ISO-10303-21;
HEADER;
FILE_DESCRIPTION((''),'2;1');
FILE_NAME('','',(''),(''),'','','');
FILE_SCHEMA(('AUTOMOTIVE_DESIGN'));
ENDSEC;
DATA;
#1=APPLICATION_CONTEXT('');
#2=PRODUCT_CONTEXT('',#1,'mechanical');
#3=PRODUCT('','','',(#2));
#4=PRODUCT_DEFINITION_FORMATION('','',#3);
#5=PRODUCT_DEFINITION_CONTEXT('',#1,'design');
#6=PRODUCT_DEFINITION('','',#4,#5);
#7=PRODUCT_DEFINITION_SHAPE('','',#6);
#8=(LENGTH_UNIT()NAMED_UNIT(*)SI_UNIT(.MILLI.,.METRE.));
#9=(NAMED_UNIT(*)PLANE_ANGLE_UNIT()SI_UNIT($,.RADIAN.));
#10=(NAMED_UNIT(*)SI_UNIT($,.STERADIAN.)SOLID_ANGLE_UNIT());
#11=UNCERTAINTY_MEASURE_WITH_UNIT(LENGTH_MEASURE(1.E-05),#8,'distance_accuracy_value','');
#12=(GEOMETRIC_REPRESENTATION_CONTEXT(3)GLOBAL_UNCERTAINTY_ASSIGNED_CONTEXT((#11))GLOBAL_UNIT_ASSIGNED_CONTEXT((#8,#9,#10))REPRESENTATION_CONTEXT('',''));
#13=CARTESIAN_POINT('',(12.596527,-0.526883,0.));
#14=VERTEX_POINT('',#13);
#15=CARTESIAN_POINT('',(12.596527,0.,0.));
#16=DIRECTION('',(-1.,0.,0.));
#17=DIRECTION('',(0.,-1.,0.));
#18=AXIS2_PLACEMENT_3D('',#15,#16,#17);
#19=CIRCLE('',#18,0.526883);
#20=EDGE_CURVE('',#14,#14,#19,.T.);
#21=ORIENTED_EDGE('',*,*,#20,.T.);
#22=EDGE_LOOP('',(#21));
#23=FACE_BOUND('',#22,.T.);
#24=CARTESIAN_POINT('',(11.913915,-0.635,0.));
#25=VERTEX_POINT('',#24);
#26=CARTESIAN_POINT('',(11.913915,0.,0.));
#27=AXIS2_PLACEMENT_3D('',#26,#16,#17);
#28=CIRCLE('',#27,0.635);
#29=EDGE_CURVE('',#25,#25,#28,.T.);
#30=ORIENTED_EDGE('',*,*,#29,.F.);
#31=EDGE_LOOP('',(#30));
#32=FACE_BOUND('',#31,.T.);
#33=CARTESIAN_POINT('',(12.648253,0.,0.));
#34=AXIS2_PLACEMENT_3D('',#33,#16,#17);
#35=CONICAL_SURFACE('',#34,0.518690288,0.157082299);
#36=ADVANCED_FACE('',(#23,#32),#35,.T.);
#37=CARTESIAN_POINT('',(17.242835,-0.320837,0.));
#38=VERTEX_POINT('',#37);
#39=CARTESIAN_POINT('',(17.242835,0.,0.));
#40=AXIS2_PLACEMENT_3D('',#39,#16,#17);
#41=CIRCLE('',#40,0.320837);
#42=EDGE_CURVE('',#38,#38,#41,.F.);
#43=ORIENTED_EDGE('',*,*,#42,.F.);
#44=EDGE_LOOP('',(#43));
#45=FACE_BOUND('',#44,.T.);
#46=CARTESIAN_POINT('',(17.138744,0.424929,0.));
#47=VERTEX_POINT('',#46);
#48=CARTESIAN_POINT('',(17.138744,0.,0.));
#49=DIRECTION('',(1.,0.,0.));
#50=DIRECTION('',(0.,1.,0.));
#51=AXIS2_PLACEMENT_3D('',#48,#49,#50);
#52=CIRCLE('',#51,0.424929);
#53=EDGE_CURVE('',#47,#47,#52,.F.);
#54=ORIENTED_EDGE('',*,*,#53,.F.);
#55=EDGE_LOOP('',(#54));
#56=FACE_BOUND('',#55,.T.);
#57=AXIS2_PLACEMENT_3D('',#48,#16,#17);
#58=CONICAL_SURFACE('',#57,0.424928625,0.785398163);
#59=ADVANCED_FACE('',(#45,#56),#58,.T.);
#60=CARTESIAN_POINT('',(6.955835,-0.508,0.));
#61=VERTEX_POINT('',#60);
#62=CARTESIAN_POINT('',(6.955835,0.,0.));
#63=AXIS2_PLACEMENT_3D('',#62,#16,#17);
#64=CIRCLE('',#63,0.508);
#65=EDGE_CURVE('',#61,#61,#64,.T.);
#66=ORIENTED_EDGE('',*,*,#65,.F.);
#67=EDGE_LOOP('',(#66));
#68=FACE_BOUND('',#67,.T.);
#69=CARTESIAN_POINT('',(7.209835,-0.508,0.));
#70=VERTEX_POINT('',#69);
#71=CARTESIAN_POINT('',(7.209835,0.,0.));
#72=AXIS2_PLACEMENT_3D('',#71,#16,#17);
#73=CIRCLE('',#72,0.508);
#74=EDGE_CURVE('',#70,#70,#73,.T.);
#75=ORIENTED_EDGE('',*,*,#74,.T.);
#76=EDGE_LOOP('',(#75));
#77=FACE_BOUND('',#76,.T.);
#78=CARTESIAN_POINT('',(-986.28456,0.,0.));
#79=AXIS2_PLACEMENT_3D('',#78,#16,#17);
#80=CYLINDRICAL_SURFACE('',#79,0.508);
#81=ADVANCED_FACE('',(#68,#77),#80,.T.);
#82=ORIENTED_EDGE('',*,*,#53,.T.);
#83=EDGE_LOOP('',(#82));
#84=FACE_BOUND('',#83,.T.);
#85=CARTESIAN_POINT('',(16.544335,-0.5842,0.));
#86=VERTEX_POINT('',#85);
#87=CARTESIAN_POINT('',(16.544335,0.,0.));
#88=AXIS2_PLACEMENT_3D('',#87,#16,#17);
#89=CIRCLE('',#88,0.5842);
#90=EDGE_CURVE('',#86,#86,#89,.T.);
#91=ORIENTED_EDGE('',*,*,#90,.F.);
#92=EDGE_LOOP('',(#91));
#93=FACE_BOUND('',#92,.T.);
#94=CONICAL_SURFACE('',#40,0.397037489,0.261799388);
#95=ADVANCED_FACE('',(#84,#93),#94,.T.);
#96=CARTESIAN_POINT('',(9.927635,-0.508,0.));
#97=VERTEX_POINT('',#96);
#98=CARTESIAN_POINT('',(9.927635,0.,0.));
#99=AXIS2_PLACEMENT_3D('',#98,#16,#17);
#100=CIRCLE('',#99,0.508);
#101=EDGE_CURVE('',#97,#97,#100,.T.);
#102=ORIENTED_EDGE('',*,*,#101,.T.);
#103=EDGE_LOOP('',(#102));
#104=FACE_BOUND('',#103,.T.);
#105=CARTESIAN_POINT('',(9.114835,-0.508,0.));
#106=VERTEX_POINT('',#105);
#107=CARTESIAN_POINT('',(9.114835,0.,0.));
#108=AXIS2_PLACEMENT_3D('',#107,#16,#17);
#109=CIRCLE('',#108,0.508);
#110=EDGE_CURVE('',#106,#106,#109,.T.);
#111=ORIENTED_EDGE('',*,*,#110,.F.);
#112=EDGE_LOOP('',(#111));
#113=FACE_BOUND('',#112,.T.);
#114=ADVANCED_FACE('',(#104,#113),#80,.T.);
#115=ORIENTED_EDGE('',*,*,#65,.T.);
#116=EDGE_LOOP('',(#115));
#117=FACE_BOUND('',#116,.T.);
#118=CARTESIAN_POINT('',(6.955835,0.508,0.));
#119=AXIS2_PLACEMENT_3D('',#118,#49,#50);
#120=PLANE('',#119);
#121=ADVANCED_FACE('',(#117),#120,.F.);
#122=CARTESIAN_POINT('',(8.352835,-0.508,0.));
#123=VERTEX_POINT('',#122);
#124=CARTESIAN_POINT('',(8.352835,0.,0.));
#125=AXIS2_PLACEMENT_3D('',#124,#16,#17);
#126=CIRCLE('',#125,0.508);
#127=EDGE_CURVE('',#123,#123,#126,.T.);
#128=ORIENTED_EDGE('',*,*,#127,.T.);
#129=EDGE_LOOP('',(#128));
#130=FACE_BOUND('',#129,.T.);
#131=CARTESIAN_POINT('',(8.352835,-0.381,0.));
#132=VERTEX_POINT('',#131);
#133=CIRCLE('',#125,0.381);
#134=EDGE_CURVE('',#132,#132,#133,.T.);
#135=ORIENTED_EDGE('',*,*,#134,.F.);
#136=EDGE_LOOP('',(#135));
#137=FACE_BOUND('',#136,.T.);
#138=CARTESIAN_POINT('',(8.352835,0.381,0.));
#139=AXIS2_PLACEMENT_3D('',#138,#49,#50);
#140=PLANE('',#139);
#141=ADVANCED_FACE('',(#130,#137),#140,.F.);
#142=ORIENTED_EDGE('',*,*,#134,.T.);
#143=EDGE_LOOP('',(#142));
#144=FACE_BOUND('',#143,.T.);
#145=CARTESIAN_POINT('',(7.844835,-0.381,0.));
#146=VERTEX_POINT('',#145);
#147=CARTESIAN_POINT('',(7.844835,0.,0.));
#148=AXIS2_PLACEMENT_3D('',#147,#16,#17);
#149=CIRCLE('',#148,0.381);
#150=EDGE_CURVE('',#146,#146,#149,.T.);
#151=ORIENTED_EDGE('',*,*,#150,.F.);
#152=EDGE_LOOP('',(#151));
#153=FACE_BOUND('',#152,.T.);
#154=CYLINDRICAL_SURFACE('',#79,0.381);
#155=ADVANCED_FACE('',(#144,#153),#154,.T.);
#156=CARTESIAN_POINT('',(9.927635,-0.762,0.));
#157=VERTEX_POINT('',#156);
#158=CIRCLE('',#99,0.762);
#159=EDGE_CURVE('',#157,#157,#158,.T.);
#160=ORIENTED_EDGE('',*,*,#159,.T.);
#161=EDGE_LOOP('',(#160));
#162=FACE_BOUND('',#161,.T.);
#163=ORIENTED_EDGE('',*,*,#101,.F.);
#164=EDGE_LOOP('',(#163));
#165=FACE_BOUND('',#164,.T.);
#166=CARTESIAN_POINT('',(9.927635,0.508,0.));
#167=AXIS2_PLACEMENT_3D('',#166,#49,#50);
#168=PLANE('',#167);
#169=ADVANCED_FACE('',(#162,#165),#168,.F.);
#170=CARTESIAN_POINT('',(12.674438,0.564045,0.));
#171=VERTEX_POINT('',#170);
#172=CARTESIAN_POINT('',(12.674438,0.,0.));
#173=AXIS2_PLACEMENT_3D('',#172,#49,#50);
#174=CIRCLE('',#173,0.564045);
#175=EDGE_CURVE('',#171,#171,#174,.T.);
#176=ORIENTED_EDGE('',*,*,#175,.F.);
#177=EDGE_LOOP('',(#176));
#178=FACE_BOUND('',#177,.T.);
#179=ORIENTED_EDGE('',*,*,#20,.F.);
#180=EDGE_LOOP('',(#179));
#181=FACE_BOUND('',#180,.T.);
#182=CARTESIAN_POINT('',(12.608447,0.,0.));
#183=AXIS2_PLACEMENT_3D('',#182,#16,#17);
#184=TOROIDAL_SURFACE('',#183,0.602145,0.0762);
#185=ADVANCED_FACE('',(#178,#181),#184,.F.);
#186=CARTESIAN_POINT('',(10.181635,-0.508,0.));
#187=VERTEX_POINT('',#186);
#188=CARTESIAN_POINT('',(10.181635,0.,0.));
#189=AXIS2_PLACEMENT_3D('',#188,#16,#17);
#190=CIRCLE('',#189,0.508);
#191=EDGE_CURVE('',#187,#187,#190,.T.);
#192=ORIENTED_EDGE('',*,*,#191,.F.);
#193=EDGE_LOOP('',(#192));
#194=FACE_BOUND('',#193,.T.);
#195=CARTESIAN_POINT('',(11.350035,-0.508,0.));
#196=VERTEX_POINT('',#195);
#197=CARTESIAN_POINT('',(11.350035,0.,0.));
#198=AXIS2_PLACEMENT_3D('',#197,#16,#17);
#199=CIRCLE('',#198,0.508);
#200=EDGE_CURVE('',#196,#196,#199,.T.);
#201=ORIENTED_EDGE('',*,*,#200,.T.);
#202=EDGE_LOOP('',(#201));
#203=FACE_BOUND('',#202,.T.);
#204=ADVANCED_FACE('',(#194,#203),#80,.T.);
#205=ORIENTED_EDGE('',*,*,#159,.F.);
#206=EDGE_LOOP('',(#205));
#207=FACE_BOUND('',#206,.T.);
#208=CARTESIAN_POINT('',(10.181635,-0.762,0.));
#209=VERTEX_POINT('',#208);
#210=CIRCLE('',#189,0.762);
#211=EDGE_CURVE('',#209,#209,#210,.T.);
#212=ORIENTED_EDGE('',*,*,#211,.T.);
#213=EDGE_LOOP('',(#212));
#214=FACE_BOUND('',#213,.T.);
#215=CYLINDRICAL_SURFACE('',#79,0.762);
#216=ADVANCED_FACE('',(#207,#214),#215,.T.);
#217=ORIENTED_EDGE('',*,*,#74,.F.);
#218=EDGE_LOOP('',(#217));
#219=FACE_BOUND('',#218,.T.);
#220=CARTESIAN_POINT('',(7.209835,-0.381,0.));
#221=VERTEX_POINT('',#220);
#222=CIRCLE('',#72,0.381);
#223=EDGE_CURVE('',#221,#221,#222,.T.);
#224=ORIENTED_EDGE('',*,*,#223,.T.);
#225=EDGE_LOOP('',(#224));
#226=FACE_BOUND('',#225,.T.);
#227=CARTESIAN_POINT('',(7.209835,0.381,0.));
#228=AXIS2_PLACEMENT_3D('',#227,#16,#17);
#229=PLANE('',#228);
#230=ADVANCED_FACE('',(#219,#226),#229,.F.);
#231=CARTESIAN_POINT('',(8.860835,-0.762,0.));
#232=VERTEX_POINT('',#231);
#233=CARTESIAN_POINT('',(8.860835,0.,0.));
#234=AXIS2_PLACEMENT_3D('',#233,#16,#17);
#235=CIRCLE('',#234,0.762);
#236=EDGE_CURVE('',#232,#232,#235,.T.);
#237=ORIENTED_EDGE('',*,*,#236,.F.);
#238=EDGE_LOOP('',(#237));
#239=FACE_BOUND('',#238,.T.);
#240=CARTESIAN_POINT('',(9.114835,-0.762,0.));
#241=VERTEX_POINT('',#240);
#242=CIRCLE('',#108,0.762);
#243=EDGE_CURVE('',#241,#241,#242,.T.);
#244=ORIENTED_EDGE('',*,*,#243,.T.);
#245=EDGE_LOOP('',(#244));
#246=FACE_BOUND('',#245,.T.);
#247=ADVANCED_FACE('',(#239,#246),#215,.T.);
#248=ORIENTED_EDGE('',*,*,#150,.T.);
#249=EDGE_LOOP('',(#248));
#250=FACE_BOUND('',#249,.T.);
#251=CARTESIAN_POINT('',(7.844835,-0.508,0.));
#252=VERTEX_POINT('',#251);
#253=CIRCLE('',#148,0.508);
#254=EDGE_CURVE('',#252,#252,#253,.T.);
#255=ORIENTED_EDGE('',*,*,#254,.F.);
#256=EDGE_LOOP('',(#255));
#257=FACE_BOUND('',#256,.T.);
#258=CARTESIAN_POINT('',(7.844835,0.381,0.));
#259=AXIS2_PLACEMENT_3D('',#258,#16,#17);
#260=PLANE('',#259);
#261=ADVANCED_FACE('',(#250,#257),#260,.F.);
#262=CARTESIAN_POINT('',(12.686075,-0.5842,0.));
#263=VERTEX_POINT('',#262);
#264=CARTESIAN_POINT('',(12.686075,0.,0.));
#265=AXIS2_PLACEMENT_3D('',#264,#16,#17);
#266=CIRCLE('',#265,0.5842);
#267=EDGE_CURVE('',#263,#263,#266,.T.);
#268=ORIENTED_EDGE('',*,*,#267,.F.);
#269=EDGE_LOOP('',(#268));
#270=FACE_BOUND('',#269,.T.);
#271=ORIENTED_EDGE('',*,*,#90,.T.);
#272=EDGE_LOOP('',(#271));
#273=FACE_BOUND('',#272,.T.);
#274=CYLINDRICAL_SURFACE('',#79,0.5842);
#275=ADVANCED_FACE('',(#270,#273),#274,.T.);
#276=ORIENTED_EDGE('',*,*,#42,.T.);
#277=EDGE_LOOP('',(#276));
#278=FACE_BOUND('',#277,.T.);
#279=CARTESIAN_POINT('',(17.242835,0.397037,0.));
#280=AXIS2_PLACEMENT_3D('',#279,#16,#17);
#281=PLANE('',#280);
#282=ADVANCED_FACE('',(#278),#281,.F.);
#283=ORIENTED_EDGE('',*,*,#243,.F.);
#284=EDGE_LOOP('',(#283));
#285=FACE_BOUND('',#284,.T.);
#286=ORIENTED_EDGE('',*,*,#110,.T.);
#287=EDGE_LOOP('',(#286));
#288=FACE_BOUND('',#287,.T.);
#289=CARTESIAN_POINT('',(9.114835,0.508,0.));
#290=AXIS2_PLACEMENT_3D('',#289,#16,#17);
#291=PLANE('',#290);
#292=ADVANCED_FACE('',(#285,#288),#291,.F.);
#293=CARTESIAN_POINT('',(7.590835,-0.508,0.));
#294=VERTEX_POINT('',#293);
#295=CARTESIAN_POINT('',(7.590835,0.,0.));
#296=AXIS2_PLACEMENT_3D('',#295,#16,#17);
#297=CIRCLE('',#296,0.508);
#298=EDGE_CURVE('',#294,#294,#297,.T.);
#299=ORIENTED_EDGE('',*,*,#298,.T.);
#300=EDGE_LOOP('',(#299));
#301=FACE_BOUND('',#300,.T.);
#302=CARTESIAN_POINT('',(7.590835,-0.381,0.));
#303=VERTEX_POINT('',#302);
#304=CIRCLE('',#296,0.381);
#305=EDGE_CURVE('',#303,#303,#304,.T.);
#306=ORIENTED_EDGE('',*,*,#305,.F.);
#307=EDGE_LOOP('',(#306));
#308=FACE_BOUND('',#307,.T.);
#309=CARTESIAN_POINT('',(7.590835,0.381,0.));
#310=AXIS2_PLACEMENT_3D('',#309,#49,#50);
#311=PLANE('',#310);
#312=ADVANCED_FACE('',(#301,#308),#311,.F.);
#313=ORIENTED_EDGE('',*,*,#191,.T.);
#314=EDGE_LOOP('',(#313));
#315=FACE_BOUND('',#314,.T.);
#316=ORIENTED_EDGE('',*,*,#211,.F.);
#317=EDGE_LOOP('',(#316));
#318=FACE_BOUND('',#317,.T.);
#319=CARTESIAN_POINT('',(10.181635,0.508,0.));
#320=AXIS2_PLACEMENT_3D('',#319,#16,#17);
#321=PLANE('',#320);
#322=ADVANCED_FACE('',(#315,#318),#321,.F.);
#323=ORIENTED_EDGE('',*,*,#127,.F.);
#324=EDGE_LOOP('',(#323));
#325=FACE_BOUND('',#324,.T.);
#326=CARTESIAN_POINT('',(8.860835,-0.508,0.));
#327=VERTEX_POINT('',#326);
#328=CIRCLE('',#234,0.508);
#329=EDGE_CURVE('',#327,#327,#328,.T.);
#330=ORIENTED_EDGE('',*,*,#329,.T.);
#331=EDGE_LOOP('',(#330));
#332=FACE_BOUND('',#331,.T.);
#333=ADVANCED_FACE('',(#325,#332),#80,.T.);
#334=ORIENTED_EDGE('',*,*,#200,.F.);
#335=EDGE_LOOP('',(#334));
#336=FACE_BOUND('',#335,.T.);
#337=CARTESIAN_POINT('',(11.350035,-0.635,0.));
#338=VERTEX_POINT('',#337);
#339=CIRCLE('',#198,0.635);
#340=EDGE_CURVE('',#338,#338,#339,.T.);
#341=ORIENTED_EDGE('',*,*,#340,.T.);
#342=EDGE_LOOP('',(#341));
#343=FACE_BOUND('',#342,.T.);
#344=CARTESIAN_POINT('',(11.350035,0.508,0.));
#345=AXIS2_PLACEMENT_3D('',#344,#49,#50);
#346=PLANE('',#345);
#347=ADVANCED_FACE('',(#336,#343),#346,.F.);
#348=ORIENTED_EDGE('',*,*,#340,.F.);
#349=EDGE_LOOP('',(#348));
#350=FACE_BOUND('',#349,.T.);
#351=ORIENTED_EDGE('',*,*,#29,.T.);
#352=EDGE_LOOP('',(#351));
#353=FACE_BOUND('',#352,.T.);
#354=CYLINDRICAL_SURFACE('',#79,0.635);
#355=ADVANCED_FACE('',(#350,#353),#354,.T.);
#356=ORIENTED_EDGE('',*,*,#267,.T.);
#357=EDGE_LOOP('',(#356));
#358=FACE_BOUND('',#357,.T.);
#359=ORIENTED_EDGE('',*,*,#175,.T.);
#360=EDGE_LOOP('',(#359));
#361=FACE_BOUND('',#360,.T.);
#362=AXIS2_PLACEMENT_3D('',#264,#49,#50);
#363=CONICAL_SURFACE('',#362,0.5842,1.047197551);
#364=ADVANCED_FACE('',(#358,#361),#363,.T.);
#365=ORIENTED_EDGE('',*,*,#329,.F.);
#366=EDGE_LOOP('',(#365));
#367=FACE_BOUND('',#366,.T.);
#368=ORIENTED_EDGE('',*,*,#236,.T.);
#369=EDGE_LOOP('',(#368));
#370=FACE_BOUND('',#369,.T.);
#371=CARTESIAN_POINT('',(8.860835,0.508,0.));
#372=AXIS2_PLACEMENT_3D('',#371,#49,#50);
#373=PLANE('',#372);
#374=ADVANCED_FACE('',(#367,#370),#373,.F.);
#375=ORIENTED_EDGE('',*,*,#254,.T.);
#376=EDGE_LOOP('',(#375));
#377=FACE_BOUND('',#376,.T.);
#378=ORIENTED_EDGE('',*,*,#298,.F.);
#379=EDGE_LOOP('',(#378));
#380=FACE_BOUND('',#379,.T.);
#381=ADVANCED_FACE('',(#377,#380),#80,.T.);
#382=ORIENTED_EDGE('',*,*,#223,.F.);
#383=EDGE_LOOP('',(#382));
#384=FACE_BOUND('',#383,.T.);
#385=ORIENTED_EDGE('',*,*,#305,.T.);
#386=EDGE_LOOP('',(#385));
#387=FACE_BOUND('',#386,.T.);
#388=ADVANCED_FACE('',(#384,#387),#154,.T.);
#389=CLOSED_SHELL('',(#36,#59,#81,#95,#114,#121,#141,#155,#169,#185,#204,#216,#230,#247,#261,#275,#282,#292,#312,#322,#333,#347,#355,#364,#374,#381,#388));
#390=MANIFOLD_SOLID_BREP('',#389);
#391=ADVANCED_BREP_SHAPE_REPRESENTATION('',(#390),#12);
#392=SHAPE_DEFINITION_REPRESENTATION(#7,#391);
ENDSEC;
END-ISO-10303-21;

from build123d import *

# Parameters (mm, degrees)
FILLET1_R      = 0.0762
CHAMFER1_SIZE  = 0.0762
CHAMFER1_SIZE2 = 0.107763073


with BuildPart() as part:
    # Sketch1 → Revolve1 (revolve)
    with BuildSketch(Plane.XY, mode=Mode.PRIVATE) as revolve1_sk:
        Polygon((6.955835037, 0.508), (6.955835037, 0), (17.242835037, 0), (17.242835037, 0.397037489), (16.544335037, 0.5842), (12.686075037, 0.5842), (12.648252987, 0.518690288), (11.913915037, 0.635), (11.350035037, 0.635), (11.350035037, 0.508), (10.181635037, 0.508), (10.181635037, 0.762), (9.927635037, 0.762), (9.927635037, 0.508), (9.114835037, 0.508), (9.114835037, 0.762), (8.860835037, 0.762), (8.860835037, 0.508), (8.352835037, 0.508), (8.352835037, 0.381), (7.844835037, 0.381), (7.844835037, 0.508), (7.590835037, 0.508), (7.590835037, 0.381), (7.209835037, 0.381), (7.209835037, 0.508), align=None)
    revolve(revolve1_sk.sketch.rotate(Axis((-986.284560053, 0, 0), (1, 0, 0)), 180), axis=Axis((-986.284560053, 0, 0), (1, 0, 0)))

    # Fillet1
    fillet1_edges = [part.edges().sort_by_distance(p)[0] for p in [
        (12.648252987, 0.518690288, 0),
    ]]
    fillet(fillet1_edges, radius=FILLET1_R)

    # Chamfer1
    chamfer1_edges = [part.edges().sort_by_distance(p)[0] for p in [
        (17.242835037, 0.397037489, 0),
    ]]
    chamfer1_side = [part.faces().sort_by_distance(p)[0] for p in [
        (17.242835037, 0, 0),
    ]]
    chamfer(chamfer1_edges, length=CHAMFER1_SIZE, length2=CHAMFER1_SIZE2, reference=chamfer1_side[0])


solid = part.part
